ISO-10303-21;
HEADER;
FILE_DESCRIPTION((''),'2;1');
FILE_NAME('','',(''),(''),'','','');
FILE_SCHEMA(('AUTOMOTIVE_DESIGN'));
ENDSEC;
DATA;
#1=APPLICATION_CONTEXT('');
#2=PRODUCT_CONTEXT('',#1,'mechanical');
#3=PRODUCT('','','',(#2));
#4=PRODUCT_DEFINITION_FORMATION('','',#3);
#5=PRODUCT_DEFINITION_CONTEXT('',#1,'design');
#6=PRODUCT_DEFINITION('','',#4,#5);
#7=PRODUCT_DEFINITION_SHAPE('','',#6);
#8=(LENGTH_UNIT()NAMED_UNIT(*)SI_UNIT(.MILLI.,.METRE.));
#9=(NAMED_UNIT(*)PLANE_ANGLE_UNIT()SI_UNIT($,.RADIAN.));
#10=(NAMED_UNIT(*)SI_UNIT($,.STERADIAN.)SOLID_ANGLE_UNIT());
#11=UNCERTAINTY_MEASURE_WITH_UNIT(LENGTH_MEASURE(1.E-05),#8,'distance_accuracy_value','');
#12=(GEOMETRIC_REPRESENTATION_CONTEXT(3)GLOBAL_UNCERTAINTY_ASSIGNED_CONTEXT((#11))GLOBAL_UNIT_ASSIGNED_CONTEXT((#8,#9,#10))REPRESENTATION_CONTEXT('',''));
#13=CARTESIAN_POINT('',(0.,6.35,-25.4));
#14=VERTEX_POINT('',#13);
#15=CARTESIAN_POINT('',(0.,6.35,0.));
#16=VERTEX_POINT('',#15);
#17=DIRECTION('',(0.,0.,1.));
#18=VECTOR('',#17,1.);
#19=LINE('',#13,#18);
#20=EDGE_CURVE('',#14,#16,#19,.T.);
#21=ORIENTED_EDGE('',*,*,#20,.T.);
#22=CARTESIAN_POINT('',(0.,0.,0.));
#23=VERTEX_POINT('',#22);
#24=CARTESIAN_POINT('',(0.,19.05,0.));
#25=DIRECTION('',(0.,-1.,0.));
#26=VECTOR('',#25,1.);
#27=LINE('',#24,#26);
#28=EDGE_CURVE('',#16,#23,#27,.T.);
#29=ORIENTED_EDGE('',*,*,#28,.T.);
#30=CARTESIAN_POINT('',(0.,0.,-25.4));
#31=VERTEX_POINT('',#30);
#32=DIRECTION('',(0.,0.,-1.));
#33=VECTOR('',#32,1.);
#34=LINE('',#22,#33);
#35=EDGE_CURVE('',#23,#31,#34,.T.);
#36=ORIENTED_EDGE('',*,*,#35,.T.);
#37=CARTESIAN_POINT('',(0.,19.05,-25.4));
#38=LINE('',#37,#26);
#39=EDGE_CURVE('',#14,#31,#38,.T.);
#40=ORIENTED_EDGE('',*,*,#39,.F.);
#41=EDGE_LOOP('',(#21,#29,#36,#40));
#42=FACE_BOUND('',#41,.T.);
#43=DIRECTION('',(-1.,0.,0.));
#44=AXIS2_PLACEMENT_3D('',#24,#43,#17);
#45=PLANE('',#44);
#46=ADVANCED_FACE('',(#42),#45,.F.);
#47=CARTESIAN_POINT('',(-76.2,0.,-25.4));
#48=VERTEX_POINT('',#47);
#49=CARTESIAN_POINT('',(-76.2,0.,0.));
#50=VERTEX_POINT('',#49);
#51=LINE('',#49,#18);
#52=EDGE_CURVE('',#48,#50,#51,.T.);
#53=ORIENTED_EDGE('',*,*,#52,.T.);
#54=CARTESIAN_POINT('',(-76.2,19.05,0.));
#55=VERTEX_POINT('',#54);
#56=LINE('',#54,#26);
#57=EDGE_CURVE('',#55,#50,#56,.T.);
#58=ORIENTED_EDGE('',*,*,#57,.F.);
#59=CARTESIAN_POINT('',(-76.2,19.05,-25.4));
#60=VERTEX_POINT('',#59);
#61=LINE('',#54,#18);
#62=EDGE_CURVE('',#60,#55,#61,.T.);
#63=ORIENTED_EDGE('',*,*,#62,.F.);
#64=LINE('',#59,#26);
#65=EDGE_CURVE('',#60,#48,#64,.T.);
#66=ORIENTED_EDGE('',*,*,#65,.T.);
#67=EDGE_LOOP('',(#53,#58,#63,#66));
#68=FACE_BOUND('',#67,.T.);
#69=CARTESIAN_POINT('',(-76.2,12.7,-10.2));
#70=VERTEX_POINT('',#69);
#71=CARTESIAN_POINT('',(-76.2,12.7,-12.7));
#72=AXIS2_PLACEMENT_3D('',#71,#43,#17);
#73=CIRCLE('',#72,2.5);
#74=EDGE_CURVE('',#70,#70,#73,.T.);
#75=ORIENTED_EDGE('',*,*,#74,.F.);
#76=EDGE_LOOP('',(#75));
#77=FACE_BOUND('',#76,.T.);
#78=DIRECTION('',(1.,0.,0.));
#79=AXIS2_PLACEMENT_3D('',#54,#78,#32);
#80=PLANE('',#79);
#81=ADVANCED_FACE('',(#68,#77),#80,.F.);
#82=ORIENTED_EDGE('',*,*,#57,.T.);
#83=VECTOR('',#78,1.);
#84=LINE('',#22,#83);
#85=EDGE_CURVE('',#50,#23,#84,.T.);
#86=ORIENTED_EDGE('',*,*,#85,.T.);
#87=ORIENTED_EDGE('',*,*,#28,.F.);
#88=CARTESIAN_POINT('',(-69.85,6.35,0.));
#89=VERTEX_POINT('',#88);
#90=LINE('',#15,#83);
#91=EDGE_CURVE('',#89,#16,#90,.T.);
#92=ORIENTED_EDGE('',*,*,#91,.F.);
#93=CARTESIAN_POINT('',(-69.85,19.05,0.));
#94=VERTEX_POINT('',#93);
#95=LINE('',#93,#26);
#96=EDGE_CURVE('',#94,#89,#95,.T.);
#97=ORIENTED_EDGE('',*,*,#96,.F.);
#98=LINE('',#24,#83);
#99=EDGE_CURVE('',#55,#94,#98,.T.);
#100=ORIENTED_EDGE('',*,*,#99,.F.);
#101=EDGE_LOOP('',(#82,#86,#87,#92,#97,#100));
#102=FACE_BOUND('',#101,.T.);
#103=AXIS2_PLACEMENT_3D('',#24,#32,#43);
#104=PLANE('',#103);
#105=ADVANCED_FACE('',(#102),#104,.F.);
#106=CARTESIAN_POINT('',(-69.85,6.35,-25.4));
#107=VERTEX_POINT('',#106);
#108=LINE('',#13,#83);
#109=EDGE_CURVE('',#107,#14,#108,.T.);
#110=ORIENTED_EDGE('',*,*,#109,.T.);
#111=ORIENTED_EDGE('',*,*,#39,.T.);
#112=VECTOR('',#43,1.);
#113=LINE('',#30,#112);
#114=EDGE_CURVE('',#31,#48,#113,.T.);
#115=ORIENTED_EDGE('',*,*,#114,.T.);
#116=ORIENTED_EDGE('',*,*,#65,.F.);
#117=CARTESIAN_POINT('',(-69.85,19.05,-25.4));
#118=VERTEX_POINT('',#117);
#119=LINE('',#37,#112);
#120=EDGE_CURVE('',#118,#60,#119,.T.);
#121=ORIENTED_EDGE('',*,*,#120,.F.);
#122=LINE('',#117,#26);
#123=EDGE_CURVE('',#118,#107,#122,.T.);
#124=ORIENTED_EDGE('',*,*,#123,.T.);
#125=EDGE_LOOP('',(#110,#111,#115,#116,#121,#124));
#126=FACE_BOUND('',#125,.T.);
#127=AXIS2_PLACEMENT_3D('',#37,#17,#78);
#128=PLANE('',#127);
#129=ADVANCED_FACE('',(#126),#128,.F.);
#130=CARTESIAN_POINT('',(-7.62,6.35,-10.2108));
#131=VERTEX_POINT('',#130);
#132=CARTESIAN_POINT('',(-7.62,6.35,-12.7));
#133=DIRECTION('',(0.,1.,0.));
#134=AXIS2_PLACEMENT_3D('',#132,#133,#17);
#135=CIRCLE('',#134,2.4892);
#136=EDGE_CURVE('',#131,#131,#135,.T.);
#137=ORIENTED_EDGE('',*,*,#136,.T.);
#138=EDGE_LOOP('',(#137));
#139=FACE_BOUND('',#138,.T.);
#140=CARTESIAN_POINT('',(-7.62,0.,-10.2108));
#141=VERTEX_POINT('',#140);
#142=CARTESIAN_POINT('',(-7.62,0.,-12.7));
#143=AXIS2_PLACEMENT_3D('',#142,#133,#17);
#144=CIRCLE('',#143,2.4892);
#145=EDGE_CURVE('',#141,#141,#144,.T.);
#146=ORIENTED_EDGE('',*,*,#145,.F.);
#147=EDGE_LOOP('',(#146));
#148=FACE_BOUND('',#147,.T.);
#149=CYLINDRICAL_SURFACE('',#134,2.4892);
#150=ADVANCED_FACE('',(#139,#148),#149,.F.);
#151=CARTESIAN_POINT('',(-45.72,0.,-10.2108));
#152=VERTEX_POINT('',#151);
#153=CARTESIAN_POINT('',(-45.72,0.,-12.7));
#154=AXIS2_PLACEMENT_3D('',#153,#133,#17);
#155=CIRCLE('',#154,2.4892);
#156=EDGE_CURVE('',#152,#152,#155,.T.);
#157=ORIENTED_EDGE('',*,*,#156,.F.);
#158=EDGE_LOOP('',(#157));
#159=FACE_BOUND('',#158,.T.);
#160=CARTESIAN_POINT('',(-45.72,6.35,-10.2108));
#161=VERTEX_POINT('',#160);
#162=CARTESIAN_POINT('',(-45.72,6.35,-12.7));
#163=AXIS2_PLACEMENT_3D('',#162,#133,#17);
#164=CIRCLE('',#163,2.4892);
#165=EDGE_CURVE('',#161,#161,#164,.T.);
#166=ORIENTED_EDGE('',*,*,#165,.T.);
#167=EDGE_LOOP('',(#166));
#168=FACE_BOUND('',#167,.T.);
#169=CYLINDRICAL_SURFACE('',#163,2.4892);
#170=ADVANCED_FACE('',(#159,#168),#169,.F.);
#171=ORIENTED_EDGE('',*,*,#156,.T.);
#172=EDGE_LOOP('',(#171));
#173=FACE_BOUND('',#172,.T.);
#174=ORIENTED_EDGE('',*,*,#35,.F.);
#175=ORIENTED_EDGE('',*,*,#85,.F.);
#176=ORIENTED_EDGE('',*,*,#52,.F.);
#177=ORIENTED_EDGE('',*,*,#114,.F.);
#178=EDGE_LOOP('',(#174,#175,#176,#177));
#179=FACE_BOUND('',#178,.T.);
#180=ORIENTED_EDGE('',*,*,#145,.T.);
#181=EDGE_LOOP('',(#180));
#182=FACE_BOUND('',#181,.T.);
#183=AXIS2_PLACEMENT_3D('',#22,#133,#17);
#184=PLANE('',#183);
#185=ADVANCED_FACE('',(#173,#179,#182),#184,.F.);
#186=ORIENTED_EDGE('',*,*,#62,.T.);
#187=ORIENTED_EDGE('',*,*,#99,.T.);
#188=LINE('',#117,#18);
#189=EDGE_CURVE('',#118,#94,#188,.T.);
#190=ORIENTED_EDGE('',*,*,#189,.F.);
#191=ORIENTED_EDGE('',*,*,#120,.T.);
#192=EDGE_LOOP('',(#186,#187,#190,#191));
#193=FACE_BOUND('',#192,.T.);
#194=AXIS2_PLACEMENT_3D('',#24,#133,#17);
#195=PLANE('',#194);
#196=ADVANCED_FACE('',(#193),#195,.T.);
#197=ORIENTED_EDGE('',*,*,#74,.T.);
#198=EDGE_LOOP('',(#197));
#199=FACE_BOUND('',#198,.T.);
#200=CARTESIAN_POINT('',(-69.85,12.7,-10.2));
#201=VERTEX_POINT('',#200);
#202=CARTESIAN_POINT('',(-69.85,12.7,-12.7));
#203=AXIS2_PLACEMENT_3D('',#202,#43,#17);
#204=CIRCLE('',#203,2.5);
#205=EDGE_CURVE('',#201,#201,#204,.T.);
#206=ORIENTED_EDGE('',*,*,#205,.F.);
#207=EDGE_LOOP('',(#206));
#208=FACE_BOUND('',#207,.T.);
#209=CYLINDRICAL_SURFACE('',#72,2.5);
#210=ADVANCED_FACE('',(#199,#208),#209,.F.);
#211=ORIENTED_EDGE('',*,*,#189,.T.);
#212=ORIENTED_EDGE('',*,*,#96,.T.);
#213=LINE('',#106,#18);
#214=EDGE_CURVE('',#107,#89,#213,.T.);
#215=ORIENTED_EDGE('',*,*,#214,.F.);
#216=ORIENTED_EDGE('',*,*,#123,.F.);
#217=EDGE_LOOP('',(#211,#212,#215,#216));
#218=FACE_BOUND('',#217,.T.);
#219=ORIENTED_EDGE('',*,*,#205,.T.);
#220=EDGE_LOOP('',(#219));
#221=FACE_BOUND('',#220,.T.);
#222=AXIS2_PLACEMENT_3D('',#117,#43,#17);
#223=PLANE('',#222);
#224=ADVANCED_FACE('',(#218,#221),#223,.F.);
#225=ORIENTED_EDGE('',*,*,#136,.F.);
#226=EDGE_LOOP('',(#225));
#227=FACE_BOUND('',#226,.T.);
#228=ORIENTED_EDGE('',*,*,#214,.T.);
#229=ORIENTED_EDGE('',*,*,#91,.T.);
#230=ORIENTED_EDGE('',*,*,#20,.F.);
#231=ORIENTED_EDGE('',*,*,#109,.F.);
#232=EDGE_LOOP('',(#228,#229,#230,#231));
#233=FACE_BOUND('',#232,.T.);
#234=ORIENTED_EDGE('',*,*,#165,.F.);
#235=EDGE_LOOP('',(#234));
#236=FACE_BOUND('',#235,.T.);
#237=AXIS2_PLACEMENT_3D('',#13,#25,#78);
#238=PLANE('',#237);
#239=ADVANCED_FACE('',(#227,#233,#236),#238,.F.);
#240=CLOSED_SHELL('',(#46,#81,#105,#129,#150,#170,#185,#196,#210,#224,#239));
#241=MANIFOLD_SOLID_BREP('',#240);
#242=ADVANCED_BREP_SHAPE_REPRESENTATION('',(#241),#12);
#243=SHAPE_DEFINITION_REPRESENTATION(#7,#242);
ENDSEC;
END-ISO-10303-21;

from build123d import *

# Parameters (mm, degrees)
SKETCH1_W                  = 76.2
SKETCH1_H                  = 25.4
BOSS_EXTRUDE1_DEPTH        = 19.05
SKETCH2_W                  = 69.85
SKETCH2_H                  = 12.7
CUT_EXTRUDE1_DEPTH         = 83.55
M6X1_0_TAPPED_HOLE1_D      = 5
F_9_0_196_DIAMETER_HOLE1_D = 4.9784


with BuildPart() as part:
    # Sketch1 → Boss-Extrude1 (new body)
    with BuildSketch(Plane(origin=(0, 0, 0), x_dir=(1, 0, 0), z_dir=(0, 1, 0))):
        with Locations((-38.1, 12.7)):
            Rectangle(SKETCH1_W, SKETCH1_H)
    extrude(amount=BOSS_EXTRUDE1_DEPTH)

    # Sketch2 → Cut-Extrude1 (cut, through all)
    with BuildSketch(Plane.XY):
        with Locations((-34.925, 12.7)):
            Rectangle(SKETCH2_W, SKETCH2_H)
    extrude(amount=-CUT_EXTRUDE1_DEPTH, mode=Mode.SUBTRACT)

    # M6x1.0 Tapped Hole1 (through all)
    with Locations(Plane.ZY.offset(76.2)):
        with Locations((-12.7, 12.7)):
            Hole(M6X1_0_TAPPED_HOLE1_D / 2)

    # #9 (0.196) Diameter Hole1 (through all)
    with Locations(Plane(origin=(0, 6.35, 0), x_dir=(1, 0, 0), z_dir=(0, 1, 0))):
        with Locations((-45.72, 12.7), (-7.62, 12.7)):
            Hole(F_9_0_196_DIAMETER_HOLE1_D / 2)


solid = part.part
